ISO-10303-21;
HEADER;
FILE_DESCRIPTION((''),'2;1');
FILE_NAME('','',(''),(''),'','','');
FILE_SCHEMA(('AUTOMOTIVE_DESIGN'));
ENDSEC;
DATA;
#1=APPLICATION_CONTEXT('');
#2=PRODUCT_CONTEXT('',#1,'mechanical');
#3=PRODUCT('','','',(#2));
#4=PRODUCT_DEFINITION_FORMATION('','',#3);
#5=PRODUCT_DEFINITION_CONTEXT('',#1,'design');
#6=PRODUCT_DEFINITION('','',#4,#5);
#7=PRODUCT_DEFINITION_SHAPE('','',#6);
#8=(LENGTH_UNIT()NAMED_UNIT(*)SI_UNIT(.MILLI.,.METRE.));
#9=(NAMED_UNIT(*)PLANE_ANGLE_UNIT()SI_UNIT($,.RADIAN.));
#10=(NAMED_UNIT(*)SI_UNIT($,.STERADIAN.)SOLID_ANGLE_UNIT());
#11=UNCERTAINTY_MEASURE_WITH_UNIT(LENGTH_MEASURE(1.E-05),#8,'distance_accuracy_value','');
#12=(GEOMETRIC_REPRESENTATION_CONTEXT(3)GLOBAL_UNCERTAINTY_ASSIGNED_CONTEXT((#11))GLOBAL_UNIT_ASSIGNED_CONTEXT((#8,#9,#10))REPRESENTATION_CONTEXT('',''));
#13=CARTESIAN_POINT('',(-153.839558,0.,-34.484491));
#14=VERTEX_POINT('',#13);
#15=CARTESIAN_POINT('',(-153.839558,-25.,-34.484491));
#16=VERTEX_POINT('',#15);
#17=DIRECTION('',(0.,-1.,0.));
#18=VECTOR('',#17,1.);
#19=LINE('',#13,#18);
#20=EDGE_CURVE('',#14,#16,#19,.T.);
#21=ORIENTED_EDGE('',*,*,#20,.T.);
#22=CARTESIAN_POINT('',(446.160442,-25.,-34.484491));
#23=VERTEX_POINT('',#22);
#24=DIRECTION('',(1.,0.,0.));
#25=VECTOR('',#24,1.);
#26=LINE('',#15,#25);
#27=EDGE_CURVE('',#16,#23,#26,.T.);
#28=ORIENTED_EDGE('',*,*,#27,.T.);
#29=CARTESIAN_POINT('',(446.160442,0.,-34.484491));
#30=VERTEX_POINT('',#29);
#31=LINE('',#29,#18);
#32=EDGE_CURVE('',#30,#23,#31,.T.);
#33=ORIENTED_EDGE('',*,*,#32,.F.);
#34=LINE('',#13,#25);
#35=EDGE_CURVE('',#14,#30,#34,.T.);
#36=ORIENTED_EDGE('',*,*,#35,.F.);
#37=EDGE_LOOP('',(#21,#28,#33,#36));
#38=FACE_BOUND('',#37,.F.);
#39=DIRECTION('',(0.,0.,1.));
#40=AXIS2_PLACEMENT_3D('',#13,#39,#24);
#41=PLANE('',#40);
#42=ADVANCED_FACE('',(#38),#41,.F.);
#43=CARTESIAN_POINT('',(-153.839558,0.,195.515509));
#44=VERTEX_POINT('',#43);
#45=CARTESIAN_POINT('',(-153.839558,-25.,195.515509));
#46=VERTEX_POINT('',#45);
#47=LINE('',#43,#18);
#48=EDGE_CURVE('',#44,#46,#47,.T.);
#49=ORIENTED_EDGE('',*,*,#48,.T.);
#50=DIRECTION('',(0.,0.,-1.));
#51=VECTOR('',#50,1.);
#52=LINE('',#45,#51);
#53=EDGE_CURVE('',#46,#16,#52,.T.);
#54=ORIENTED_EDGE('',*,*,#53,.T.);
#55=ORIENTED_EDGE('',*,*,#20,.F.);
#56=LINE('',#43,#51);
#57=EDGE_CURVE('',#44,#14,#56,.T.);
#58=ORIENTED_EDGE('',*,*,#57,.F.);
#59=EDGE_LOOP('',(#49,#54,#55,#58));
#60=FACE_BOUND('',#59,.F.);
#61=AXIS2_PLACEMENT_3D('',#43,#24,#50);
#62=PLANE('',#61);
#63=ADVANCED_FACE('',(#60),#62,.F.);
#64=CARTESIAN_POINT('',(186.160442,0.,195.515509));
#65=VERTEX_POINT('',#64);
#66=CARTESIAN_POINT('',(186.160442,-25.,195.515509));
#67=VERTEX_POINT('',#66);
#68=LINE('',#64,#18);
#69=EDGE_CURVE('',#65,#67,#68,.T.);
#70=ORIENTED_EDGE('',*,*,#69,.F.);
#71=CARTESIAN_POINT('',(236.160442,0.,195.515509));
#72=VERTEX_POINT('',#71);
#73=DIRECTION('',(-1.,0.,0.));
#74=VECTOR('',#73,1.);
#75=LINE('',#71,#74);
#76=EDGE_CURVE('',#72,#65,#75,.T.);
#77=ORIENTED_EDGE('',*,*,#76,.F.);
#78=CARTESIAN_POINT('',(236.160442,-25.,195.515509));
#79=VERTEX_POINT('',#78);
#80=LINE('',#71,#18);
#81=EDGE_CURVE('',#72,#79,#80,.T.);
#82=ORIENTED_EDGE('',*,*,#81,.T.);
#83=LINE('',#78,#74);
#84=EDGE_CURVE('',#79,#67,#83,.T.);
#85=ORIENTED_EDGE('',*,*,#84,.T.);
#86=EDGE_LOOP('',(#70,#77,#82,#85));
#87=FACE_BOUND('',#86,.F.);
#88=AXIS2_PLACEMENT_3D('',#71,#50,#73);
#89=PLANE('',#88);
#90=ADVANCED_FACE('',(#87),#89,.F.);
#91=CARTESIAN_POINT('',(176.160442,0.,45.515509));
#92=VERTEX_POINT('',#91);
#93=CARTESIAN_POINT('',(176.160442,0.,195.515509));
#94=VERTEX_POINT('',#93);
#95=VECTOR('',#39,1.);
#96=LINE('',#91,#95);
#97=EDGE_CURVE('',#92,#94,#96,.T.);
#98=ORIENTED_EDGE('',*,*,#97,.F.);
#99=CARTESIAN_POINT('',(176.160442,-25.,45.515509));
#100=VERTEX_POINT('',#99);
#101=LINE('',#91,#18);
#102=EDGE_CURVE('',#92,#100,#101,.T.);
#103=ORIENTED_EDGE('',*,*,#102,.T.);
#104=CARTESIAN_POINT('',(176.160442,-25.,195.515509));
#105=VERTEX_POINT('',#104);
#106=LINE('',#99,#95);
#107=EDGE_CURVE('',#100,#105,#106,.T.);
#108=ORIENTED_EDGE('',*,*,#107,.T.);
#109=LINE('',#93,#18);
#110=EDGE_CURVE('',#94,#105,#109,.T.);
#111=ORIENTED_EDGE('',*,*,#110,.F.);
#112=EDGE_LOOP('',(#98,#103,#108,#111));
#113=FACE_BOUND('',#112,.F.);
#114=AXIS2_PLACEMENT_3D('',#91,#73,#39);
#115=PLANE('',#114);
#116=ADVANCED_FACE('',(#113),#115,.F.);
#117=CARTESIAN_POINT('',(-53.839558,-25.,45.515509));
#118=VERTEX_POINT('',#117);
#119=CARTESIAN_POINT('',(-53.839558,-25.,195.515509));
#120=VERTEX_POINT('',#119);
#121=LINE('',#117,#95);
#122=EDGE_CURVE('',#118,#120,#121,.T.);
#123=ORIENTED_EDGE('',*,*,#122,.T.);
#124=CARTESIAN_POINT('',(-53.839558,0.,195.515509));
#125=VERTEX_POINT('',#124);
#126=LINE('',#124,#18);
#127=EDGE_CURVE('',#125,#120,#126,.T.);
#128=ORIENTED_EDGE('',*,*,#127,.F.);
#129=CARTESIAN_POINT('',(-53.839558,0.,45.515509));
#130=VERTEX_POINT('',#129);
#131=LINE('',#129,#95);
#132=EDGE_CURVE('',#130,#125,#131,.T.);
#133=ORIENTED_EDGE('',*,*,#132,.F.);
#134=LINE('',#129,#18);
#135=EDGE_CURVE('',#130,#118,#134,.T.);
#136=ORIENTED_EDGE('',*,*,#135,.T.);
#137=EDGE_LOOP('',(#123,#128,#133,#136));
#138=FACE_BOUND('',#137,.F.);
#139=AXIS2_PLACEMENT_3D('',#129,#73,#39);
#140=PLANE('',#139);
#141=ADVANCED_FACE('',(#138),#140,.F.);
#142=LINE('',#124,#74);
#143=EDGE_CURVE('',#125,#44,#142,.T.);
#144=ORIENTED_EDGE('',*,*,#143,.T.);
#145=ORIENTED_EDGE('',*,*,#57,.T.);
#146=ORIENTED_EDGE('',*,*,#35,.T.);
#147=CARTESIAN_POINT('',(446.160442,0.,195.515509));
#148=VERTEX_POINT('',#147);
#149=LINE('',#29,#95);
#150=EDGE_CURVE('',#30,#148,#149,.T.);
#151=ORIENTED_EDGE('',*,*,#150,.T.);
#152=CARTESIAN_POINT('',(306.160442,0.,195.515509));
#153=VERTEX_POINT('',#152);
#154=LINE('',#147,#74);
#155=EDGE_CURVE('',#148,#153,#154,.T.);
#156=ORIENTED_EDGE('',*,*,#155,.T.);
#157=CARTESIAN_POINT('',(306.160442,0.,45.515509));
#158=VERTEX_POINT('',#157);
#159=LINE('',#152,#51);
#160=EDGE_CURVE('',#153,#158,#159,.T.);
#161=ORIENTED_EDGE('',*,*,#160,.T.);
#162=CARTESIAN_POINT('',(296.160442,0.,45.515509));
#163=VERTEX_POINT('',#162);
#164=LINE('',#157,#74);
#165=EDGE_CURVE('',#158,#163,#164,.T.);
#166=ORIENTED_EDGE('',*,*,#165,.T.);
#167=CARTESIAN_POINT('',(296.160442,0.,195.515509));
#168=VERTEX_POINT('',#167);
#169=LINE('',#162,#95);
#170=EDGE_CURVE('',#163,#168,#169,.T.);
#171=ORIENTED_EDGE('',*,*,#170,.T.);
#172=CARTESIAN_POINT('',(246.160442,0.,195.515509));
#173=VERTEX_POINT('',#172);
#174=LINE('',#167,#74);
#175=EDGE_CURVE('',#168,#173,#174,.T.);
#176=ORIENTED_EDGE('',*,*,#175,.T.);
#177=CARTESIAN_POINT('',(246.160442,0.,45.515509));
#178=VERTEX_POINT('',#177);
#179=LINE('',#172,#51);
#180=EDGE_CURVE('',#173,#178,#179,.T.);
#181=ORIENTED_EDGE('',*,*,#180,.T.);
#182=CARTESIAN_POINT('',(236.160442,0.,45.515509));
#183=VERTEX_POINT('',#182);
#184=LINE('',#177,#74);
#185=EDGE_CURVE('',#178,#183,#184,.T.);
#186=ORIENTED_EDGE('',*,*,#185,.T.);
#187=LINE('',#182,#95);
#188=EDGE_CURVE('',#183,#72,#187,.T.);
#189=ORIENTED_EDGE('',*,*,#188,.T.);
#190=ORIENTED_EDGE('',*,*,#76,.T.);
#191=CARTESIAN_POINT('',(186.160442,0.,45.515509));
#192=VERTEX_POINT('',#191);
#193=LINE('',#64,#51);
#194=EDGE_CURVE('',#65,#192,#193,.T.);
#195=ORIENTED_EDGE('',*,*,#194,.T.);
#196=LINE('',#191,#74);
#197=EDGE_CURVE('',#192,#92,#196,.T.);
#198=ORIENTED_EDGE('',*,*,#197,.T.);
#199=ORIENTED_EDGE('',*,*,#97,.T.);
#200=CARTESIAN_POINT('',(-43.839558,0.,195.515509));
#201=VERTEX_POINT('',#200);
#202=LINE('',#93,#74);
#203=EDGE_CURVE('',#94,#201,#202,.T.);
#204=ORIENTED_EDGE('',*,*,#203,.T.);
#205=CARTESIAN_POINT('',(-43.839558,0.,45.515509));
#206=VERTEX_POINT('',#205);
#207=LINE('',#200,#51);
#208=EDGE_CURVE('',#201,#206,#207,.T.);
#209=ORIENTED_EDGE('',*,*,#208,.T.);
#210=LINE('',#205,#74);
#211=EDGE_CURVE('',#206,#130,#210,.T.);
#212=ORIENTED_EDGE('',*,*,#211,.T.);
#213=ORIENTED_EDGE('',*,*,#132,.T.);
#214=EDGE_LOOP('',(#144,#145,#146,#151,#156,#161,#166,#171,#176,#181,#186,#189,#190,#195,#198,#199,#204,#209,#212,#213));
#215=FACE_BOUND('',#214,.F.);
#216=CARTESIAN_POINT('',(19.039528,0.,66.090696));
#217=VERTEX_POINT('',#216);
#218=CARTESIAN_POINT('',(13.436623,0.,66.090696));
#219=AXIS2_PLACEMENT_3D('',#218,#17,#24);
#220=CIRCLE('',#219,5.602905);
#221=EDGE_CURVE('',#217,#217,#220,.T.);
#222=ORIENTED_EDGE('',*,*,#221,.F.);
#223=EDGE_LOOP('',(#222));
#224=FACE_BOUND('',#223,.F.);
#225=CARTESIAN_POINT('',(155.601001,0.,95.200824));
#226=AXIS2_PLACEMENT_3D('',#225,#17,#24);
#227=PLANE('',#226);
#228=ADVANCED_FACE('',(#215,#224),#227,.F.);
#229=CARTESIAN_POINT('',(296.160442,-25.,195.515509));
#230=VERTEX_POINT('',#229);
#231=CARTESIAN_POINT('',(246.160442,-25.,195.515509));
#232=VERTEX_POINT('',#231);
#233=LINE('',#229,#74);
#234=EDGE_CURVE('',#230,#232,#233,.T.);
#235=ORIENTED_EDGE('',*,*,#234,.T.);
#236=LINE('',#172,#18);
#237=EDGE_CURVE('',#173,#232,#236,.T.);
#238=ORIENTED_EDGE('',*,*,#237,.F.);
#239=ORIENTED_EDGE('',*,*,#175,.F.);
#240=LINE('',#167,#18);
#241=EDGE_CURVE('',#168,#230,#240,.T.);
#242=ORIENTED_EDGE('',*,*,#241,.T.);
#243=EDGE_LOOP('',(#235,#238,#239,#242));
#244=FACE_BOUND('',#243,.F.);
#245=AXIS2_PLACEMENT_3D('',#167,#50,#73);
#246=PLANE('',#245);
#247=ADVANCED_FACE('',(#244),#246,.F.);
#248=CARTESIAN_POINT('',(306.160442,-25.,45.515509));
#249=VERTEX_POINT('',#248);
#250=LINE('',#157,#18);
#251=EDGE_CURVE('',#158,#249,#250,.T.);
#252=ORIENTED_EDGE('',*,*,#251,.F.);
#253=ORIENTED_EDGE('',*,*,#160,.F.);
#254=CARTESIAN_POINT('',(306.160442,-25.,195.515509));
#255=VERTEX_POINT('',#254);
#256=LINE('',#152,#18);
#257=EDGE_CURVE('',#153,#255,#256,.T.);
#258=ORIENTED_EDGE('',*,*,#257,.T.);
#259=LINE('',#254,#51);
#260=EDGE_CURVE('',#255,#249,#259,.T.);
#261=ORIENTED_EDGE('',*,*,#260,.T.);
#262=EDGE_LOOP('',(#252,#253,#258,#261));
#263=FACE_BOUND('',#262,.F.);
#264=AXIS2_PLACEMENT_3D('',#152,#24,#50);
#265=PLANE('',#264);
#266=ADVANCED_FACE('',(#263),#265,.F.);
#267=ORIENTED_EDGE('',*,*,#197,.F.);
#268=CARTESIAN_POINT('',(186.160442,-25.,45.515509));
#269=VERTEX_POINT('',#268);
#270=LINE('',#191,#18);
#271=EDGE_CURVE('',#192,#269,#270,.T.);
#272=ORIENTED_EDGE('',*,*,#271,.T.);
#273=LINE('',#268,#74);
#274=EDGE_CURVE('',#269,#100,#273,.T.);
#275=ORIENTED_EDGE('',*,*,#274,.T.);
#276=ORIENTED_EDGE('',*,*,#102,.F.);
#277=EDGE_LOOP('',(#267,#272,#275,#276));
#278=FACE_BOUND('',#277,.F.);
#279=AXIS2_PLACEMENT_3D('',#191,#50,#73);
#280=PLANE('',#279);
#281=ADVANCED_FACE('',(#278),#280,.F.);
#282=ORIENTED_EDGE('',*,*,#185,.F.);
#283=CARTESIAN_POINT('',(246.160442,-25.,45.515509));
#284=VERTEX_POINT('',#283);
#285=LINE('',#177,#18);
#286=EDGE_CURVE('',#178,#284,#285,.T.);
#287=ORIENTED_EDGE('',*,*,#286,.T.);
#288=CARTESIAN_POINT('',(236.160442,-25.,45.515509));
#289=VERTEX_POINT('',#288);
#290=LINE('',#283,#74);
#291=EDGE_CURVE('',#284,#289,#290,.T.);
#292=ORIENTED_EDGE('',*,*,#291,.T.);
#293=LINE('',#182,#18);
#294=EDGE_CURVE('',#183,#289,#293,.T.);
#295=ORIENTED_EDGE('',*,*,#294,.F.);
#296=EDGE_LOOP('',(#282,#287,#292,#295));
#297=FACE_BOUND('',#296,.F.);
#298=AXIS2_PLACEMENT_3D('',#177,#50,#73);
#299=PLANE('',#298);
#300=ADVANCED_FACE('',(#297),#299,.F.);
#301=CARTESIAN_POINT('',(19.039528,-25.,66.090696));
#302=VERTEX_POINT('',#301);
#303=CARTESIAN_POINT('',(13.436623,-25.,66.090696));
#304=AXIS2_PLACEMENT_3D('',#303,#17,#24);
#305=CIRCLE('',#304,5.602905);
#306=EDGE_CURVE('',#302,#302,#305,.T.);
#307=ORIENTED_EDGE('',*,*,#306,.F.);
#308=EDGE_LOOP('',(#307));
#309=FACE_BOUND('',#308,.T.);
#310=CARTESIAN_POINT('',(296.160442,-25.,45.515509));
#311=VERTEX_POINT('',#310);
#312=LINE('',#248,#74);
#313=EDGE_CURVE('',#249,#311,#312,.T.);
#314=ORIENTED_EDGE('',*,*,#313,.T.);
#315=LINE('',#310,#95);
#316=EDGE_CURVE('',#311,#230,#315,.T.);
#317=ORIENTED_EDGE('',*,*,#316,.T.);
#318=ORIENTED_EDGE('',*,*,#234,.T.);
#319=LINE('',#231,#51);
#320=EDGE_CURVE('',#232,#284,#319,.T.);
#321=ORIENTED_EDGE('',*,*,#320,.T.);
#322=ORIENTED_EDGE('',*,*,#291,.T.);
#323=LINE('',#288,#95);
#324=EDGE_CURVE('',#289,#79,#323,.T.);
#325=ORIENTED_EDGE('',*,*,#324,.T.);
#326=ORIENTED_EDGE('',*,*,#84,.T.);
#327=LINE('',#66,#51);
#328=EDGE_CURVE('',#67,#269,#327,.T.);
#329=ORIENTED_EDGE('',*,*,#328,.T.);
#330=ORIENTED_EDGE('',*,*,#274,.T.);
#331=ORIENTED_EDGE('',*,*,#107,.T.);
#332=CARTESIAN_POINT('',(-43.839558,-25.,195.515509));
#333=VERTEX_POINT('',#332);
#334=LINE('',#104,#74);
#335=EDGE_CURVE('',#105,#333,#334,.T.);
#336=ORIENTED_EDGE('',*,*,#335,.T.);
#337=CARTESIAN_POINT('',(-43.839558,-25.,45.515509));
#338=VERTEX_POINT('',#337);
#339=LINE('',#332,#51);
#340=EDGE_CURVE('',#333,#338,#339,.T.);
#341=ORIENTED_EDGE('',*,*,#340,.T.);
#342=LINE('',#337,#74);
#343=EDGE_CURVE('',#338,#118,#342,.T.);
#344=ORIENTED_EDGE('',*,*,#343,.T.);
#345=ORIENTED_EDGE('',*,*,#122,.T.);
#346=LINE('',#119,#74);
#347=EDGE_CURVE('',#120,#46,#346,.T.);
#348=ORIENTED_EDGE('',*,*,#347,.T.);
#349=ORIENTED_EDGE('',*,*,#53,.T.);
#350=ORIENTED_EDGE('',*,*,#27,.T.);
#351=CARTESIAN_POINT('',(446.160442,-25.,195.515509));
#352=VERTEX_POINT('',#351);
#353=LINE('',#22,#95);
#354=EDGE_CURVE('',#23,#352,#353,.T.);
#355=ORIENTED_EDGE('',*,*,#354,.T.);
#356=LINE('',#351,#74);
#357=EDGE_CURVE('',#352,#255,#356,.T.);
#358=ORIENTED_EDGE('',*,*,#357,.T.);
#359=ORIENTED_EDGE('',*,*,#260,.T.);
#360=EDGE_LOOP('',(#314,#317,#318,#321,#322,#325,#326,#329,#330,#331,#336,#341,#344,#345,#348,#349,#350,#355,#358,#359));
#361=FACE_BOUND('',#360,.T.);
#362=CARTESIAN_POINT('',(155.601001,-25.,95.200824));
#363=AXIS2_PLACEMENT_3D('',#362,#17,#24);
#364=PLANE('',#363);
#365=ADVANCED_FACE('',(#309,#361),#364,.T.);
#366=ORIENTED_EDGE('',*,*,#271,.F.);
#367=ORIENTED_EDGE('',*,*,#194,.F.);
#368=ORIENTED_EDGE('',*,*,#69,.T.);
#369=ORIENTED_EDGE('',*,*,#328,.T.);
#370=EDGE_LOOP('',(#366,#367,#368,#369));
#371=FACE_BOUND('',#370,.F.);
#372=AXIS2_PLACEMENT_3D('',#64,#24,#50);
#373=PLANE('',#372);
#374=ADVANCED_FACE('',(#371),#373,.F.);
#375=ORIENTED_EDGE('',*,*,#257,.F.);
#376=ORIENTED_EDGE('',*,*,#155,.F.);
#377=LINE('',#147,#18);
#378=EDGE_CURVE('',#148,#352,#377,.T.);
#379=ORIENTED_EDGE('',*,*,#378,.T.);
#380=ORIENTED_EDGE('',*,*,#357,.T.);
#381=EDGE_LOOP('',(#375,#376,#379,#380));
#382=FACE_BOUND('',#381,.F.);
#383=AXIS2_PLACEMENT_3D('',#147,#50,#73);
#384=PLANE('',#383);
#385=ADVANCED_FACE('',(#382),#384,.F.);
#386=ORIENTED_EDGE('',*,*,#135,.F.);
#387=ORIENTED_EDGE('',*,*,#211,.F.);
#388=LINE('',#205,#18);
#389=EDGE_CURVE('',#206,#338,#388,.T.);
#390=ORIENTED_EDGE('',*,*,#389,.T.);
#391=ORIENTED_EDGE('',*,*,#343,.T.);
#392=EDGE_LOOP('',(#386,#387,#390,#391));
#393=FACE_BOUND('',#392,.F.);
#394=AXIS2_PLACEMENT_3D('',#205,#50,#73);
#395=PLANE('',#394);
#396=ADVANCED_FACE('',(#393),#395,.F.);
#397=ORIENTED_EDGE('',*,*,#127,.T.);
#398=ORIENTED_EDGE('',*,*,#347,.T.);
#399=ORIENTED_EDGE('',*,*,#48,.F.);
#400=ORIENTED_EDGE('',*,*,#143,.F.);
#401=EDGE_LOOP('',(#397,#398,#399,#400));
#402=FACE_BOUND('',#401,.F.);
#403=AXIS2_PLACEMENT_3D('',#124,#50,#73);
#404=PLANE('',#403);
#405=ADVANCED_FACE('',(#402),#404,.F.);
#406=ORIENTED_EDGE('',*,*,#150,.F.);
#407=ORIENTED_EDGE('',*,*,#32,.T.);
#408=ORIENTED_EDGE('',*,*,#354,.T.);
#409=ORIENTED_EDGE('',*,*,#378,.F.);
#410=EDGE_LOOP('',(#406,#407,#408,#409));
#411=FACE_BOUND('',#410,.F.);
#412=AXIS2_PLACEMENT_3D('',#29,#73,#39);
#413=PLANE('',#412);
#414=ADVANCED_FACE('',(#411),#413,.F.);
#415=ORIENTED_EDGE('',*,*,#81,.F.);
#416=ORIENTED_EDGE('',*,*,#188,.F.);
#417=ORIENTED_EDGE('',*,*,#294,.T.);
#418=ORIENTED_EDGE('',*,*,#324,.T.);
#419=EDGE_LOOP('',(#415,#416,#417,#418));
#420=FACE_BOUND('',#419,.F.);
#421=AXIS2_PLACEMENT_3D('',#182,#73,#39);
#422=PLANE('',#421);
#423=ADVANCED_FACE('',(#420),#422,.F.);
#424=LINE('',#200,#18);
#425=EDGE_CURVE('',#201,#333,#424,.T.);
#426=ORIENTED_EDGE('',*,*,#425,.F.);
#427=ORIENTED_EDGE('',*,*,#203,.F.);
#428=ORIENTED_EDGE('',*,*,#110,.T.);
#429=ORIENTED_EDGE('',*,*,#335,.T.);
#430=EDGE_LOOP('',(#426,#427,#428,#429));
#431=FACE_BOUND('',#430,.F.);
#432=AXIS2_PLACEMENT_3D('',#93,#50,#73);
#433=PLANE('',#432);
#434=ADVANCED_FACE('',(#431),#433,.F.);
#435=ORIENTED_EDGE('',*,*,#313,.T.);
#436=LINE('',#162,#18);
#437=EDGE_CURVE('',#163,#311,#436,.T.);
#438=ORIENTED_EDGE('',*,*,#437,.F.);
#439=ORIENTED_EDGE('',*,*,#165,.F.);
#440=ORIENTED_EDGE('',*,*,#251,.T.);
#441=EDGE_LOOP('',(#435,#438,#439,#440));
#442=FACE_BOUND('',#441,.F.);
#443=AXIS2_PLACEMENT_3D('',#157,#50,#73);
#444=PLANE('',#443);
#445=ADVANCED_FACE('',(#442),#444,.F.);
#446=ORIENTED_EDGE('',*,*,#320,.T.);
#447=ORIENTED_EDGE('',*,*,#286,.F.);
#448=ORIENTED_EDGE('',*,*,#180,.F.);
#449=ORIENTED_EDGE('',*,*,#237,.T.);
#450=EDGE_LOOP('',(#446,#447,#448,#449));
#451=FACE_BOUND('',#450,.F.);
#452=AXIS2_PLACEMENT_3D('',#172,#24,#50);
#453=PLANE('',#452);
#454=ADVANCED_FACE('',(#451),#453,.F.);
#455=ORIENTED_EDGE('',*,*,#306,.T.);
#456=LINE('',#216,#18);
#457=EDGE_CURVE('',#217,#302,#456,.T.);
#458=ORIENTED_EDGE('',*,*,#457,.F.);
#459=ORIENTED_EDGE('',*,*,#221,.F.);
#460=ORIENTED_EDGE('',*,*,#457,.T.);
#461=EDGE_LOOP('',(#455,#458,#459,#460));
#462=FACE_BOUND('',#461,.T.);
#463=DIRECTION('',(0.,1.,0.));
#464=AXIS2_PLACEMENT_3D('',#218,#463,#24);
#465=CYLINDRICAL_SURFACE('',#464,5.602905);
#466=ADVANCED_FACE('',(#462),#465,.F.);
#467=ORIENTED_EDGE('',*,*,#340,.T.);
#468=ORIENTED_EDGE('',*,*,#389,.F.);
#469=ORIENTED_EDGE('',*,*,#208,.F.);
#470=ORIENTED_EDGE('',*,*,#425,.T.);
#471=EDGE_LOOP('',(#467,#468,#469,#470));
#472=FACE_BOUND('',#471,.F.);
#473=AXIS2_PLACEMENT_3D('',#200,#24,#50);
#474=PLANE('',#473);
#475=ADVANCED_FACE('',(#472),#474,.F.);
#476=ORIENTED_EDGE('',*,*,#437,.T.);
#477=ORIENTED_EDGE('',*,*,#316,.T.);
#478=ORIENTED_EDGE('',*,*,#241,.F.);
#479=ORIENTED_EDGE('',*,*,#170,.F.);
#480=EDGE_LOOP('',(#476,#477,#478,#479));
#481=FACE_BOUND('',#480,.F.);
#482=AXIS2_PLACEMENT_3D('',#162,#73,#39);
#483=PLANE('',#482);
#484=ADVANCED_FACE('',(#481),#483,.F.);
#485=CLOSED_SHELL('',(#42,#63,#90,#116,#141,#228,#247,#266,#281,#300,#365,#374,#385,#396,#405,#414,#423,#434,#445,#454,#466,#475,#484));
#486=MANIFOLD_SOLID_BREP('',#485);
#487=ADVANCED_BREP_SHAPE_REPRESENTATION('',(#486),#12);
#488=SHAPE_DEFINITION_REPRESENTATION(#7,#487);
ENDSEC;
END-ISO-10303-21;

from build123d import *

# Parameters (mm, degrees)
F0_R     = 5.602905
F1_DEPTH = 25


with BuildPart() as f1:
    # F0 (on Front) → F1 (new body)
    with BuildSketch(Plane.XZ):
        Polygon((-53.839558, 195.515509), (-153.839558, 195.515509), (-153.839558, -34.484491), (446.160442, -34.484491), (446.160442, 195.515509), (306.160442, 195.515509), (306.160442, 45.515509), (296.160442, 45.515509), (296.160442, 195.515509), (246.160442, 195.515509), (246.160442, 45.515509), (236.160442, 45.515509), (236.160442, 195.515509), (186.160442, 195.515509), (186.160442, 45.515509), (176.160442, 45.515509), (176.160442, 195.515509), (-43.839558, 195.515509), (-43.839558, 45.515509), (-53.839558, 45.515509), align=None)
        with Locations((13.436623, 66.090696)):
            Circle(F0_R, mode=Mode.SUBTRACT)
    extrude(amount=F1_DEPTH)


solid = f1.part
